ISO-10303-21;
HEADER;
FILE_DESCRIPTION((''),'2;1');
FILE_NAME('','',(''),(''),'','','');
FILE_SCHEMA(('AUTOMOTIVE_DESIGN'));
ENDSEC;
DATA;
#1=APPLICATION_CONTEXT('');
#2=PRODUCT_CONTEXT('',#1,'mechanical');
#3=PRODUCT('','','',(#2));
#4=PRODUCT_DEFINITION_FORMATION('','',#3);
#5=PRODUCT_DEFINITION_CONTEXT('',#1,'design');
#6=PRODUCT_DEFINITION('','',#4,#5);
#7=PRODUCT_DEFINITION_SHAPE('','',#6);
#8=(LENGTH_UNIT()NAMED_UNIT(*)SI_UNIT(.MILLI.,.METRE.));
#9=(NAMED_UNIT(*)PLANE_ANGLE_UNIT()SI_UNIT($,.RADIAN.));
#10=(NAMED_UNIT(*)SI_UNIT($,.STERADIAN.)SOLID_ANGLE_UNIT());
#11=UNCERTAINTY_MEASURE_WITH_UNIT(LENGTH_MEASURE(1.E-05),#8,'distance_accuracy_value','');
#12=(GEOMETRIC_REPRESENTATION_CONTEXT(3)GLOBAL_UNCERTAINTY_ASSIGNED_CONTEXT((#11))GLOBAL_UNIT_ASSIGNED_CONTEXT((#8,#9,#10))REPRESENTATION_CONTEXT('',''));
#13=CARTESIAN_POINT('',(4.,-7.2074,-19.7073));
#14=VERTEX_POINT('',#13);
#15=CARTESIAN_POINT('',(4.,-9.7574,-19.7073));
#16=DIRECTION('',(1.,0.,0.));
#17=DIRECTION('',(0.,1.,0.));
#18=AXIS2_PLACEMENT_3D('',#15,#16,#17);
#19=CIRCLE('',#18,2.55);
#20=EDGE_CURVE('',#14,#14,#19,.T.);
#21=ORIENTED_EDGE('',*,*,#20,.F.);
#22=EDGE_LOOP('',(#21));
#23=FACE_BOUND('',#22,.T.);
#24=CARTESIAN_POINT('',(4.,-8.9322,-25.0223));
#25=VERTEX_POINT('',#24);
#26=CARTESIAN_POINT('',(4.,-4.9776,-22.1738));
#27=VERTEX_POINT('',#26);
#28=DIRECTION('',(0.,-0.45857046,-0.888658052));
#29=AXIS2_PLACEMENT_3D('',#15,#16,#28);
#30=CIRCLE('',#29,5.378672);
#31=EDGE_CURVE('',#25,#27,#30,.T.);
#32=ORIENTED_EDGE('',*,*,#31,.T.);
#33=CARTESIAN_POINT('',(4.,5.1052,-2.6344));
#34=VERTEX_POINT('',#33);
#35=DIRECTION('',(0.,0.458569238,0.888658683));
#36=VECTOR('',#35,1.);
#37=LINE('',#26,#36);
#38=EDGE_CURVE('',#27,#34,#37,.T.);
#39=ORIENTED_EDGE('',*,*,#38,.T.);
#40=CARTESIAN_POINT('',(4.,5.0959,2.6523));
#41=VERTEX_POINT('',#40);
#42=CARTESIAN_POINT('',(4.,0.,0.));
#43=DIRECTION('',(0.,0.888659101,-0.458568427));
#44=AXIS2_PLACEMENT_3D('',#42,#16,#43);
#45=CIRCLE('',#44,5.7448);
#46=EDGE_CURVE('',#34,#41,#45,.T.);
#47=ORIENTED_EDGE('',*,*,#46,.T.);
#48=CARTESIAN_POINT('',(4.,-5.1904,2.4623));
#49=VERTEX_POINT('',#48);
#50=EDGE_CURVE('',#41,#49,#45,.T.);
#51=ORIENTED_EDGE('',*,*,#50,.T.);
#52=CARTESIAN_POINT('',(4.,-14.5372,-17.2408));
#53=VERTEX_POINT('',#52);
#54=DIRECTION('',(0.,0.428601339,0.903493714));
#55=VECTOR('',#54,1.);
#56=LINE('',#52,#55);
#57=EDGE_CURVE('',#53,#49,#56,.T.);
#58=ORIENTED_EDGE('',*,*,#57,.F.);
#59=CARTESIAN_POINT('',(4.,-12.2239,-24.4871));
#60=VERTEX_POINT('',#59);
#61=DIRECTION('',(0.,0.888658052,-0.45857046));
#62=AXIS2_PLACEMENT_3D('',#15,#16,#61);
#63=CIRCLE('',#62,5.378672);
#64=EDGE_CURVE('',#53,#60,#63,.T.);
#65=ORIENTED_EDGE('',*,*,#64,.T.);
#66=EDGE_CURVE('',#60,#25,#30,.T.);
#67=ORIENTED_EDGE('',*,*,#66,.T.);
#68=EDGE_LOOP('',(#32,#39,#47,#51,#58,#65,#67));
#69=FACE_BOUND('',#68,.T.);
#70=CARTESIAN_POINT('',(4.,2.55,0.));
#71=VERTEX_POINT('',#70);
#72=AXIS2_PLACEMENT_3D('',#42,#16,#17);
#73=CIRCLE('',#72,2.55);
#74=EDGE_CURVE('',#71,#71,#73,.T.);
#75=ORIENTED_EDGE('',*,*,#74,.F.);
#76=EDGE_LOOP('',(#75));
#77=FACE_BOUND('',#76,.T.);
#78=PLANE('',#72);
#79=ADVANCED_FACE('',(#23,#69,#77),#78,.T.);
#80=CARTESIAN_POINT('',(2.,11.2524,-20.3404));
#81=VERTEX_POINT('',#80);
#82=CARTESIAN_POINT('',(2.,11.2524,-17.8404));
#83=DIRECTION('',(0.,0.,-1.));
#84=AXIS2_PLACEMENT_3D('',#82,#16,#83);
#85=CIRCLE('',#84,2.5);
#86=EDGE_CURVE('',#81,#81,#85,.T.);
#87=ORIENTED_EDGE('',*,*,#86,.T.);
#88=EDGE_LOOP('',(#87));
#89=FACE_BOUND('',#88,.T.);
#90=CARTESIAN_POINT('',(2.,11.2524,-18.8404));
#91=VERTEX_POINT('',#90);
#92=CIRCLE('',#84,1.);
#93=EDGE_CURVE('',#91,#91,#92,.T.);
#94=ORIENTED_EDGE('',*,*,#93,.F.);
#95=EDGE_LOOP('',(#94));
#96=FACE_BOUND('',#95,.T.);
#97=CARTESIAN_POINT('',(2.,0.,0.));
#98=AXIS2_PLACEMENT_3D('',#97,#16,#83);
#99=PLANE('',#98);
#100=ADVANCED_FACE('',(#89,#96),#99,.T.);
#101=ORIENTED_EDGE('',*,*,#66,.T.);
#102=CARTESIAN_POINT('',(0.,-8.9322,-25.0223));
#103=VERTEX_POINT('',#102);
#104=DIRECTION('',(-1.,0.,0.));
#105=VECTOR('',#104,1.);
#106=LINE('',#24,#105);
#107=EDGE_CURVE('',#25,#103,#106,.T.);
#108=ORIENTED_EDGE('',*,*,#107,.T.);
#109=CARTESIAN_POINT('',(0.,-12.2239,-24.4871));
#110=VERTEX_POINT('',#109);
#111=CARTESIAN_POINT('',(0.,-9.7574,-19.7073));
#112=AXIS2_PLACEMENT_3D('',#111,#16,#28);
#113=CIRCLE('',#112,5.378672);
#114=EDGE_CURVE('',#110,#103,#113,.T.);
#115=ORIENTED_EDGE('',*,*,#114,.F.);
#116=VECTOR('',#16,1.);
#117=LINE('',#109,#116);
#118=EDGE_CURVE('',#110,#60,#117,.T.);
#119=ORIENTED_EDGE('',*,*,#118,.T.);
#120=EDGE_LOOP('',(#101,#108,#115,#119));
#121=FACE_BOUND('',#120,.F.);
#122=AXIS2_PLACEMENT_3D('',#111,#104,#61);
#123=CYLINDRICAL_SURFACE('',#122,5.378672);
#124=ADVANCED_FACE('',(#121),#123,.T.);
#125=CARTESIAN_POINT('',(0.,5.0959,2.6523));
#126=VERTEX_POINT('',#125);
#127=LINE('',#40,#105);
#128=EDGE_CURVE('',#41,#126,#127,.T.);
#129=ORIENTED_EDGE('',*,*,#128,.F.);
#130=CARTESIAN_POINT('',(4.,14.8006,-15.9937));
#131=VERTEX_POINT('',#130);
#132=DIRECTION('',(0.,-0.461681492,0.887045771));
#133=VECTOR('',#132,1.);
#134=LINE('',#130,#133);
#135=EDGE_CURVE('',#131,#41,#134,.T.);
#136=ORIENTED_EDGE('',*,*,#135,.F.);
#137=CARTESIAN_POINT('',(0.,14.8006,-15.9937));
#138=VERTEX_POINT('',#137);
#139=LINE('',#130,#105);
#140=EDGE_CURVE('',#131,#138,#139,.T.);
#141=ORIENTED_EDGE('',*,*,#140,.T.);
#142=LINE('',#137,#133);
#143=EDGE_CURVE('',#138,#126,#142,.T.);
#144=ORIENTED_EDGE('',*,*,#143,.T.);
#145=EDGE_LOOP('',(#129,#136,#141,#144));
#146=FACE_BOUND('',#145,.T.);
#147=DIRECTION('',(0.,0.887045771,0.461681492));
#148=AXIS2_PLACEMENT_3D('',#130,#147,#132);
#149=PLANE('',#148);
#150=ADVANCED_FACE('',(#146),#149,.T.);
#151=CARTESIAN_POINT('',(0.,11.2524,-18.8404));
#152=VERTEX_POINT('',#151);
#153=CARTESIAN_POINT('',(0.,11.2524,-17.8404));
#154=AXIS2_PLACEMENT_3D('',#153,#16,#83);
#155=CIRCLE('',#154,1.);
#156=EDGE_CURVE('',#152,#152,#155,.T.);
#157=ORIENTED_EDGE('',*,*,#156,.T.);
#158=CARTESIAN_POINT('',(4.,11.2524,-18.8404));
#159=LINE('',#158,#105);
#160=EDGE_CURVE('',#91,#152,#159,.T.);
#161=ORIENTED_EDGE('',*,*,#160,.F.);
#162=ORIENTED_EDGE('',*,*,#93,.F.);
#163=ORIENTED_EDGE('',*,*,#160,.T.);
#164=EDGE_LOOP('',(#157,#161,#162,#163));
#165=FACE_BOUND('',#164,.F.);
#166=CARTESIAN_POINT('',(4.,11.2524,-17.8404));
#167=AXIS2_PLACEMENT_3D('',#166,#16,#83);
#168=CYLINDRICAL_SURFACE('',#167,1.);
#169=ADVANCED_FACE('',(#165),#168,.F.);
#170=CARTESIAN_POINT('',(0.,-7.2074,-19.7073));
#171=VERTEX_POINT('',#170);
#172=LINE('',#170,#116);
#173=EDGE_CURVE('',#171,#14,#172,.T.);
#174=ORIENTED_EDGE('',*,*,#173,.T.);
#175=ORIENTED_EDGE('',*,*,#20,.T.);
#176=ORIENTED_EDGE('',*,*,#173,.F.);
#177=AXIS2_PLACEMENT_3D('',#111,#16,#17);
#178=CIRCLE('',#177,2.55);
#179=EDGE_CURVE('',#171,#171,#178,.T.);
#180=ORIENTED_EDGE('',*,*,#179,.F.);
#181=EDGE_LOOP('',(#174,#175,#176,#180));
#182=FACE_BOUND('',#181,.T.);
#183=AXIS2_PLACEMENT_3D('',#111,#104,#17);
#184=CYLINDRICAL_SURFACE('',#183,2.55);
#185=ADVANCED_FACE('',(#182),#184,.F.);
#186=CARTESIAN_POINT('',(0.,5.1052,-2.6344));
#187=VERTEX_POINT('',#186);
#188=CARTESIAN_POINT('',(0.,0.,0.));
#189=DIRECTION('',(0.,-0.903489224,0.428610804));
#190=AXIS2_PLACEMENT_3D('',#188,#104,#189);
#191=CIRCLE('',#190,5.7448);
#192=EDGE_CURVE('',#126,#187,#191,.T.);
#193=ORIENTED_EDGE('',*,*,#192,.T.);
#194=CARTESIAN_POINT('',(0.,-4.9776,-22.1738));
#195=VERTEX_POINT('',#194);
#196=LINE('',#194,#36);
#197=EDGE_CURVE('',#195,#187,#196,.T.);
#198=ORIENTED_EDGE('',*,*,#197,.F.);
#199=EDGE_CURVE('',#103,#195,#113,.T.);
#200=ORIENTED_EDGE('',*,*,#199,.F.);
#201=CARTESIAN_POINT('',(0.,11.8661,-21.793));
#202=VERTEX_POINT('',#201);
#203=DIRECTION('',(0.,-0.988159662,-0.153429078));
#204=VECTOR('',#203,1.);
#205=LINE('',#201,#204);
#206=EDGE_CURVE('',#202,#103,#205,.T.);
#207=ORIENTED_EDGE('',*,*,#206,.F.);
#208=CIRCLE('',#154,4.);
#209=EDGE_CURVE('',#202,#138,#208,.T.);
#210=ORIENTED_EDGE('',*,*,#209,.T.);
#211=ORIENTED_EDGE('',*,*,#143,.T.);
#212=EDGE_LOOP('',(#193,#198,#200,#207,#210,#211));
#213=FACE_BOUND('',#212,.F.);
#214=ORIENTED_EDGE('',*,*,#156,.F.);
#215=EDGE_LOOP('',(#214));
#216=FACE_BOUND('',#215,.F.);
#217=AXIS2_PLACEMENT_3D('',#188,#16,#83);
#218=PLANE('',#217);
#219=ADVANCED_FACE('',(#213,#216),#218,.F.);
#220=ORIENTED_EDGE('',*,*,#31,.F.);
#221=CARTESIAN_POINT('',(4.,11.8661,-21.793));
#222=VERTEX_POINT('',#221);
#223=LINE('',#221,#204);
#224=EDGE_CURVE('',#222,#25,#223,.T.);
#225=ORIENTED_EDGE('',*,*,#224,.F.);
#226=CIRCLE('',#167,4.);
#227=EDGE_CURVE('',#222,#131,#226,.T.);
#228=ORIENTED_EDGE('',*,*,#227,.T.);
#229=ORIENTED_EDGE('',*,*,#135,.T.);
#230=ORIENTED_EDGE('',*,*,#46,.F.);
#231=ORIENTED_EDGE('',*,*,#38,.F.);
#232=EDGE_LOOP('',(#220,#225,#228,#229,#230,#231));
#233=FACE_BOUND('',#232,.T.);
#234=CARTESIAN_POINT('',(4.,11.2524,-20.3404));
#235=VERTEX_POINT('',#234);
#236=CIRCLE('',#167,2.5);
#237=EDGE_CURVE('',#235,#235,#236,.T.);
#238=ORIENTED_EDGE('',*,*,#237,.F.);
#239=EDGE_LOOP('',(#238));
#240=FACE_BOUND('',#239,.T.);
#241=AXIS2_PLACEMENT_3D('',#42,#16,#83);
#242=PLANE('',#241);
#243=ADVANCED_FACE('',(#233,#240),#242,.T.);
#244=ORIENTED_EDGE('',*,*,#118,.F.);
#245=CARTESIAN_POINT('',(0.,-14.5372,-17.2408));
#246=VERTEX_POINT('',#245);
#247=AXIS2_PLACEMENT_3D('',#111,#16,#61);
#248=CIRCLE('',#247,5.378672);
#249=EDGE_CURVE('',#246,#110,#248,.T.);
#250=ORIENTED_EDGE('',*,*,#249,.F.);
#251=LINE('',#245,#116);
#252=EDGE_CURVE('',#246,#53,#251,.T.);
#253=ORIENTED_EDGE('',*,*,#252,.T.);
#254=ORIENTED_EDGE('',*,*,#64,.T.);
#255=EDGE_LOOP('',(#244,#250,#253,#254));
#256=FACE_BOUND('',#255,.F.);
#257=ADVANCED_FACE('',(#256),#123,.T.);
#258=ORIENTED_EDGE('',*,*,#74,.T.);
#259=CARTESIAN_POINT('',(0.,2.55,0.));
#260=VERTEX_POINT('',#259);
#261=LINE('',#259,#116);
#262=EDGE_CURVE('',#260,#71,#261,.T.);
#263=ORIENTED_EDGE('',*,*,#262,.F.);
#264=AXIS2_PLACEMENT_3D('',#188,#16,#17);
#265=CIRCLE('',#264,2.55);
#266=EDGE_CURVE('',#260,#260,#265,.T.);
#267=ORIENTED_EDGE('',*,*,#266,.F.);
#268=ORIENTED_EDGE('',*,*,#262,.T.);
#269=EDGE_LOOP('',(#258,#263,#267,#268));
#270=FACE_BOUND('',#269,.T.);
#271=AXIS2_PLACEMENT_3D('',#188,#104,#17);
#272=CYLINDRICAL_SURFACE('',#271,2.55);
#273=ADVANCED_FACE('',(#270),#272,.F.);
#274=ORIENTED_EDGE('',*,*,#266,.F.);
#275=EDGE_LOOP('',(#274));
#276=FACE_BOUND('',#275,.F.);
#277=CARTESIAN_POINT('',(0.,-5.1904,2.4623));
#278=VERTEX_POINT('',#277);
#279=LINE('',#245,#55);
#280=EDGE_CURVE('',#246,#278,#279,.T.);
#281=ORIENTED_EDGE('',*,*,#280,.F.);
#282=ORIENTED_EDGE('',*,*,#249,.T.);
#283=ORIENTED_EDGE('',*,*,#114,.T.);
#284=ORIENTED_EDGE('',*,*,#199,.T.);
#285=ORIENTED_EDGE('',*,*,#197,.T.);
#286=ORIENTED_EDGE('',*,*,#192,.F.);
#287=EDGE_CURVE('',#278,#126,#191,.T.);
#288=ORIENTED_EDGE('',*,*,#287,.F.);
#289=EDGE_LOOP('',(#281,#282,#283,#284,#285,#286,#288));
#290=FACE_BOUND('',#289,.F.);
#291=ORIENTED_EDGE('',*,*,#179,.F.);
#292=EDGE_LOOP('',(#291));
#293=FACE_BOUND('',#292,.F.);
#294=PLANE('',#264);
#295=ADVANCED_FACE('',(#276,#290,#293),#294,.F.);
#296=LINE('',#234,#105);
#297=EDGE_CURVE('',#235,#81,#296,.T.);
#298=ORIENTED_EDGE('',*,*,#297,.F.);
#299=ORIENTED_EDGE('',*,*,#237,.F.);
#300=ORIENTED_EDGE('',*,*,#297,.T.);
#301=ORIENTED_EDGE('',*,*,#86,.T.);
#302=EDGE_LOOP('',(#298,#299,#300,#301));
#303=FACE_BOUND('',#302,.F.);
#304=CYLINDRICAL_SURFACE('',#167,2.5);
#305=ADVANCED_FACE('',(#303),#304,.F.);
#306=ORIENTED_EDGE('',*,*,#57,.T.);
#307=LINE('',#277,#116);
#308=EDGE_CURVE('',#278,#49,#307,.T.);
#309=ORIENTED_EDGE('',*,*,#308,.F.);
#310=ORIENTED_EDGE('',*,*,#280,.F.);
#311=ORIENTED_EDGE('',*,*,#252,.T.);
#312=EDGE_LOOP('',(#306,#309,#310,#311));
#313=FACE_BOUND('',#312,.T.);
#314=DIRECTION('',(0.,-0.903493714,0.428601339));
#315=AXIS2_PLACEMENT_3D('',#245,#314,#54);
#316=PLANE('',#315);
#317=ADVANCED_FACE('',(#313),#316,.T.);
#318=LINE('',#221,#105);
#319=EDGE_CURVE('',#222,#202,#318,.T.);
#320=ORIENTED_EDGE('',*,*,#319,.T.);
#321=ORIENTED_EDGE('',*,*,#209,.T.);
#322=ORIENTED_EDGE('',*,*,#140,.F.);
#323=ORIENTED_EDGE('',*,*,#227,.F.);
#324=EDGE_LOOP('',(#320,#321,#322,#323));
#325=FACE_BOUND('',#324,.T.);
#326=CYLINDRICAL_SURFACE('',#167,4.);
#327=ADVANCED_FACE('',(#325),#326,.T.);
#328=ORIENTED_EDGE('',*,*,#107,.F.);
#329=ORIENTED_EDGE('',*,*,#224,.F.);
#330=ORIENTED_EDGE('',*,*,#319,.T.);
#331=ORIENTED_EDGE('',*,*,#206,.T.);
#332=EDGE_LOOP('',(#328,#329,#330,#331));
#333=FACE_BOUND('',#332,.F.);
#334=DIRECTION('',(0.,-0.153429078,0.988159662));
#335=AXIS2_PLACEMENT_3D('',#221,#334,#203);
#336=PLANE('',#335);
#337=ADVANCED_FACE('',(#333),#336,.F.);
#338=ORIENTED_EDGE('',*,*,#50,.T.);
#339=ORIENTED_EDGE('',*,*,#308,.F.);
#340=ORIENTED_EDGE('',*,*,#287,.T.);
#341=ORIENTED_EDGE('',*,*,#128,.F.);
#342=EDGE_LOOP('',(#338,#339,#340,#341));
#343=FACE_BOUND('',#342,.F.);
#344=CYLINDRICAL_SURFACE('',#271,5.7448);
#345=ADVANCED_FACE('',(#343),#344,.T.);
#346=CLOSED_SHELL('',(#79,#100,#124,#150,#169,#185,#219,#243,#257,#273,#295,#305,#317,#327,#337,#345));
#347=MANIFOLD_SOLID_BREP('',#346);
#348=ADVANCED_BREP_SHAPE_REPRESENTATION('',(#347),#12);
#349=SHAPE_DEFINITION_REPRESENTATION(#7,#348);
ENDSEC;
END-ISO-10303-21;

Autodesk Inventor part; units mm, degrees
ref_plane "YZ Plane" through (0, 0, 0) normal (1, 0, 0) x (0, 1, 0)
ref_plane "XZ Plane" through (0, 0, 0) normal (0, 1, 0) x (-1, 0, 0)
ref_plane "XY Plane" through (0, 0, 0) normal (0, 0, 1) x (1, 0, 0)
sketch "Sketch1" plane through (0, 0, 0) normal (1, 0, 0) x (0, 1, 0)
  circle A0 centre (-9.7574, -19.7073) radius 1.55 construction
  circle A1 centre (0, 0) radius 1.55 construction
  circle A2 centre (-9.7574, -19.7073) radius 2.55
  circle A3 centre (0, 0) radius 2.55
  line L0 (-6.0684, -24.2876) -> (12.7398, 12.1607) construction
  arc A4 (-12.2239, -24.4871) -> (-4.9776, -22.1738) centre (-9.7574, -19.7073) ccw
  circle A5 centre (0, 0) radius 5.7448
  line L1 (-4.9776, -22.1738) -> (5.1052, -2.6344)
  arc A6 (-4.9776, -22.1738) -> (-12.2239, -24.4871) centre (-9.7574, -19.7073) ccw
  line L2 (-14.5372, -17.2408) -> (-5.1904, 2.4623)
  line L3 (0, 0) -> (0, -27.0135) construction
  line L4 (0, 0) -> (-9.7574, -19.7073) construction
  point P0 (-10.1101, -25.5779)
  dimension "d0" = 5.1
  dimension "d1" = 5.1
  dimension "d3" = 11.4897
  dimension "d4" = 5.3787
  dimension "d5" = 21.8076
  dimension "d6" = 21.9875
extrude "Extrusion1" add sketch "Sketch1" along normal blind 4
sketch "Sketch2" plane through (4, 0, 0) normal (1, 0, 0) x (0, 0, -1)
  arc A0 (17.2408, -14.5372) -> (22.1738, -4.9776) centre (19.7073, -9.7574) ccw projected
  line L0 (22.1738, -4.9776) -> (2.6344, 5.1052) projected
  arc A1 (2.6344, 5.1052) -> (-2.4623, -5.1904) centre (0, 0) ccw projected
  line L1 (-2.4623, -5.1904) -> (17.2408, -14.5372) construction
  circle A2 centre (19.7073, -9.7574) radius 2.55 construction
  circle A3 centre (0, 0) radius 2.55 construction
  circle A4 centre (19.7073, -9.7574) radius 2.55 construction
  line L2 (-0.0042, 0.0021) -> (19.7073, -9.7574) construction
  circle A5 centre (17.8404, 11.2524) radius 1
  circle A6 centre (17.8404, 11.2524) radius 4
  line L3 (15.9937, 14.8006) -> (-2.6523, 5.0959)
  arc A7 (2.6344, 5.1052) -> (-2.4623, -5.1904) centre (0, 0) ccw projected
  line L4 (21.793, 11.8661) -> (25.0223, -8.9322)
  line L5 (-11.8641, -11.015) -> (9.5186, 32.1722)
  dimension "d11" = 2
  dimension "d12" = 8
  dimension "d18" = 16.7401
  dimension "d19" = 18
extrude "Extrusion2" add sketch "Sketch2" against normal up to surface (4 mm away)
sketch "Sketch3" plane through (4, 0, 0) normal (1, 0, 0) x (0, 0, -1)
  circle A0 centre (17.8404, 11.2524) radius 1 projected
  circle A1 centre (17.8404, 11.2524) radius 2.5
  point P0 (0, 0)
  dimension "d15" = 5
extrude "Extrusion3" cut sketch "Sketch3" against normal blind 2
properties part number "Kauri modular camera mount mini" material "Brass, Soft Yellow"
